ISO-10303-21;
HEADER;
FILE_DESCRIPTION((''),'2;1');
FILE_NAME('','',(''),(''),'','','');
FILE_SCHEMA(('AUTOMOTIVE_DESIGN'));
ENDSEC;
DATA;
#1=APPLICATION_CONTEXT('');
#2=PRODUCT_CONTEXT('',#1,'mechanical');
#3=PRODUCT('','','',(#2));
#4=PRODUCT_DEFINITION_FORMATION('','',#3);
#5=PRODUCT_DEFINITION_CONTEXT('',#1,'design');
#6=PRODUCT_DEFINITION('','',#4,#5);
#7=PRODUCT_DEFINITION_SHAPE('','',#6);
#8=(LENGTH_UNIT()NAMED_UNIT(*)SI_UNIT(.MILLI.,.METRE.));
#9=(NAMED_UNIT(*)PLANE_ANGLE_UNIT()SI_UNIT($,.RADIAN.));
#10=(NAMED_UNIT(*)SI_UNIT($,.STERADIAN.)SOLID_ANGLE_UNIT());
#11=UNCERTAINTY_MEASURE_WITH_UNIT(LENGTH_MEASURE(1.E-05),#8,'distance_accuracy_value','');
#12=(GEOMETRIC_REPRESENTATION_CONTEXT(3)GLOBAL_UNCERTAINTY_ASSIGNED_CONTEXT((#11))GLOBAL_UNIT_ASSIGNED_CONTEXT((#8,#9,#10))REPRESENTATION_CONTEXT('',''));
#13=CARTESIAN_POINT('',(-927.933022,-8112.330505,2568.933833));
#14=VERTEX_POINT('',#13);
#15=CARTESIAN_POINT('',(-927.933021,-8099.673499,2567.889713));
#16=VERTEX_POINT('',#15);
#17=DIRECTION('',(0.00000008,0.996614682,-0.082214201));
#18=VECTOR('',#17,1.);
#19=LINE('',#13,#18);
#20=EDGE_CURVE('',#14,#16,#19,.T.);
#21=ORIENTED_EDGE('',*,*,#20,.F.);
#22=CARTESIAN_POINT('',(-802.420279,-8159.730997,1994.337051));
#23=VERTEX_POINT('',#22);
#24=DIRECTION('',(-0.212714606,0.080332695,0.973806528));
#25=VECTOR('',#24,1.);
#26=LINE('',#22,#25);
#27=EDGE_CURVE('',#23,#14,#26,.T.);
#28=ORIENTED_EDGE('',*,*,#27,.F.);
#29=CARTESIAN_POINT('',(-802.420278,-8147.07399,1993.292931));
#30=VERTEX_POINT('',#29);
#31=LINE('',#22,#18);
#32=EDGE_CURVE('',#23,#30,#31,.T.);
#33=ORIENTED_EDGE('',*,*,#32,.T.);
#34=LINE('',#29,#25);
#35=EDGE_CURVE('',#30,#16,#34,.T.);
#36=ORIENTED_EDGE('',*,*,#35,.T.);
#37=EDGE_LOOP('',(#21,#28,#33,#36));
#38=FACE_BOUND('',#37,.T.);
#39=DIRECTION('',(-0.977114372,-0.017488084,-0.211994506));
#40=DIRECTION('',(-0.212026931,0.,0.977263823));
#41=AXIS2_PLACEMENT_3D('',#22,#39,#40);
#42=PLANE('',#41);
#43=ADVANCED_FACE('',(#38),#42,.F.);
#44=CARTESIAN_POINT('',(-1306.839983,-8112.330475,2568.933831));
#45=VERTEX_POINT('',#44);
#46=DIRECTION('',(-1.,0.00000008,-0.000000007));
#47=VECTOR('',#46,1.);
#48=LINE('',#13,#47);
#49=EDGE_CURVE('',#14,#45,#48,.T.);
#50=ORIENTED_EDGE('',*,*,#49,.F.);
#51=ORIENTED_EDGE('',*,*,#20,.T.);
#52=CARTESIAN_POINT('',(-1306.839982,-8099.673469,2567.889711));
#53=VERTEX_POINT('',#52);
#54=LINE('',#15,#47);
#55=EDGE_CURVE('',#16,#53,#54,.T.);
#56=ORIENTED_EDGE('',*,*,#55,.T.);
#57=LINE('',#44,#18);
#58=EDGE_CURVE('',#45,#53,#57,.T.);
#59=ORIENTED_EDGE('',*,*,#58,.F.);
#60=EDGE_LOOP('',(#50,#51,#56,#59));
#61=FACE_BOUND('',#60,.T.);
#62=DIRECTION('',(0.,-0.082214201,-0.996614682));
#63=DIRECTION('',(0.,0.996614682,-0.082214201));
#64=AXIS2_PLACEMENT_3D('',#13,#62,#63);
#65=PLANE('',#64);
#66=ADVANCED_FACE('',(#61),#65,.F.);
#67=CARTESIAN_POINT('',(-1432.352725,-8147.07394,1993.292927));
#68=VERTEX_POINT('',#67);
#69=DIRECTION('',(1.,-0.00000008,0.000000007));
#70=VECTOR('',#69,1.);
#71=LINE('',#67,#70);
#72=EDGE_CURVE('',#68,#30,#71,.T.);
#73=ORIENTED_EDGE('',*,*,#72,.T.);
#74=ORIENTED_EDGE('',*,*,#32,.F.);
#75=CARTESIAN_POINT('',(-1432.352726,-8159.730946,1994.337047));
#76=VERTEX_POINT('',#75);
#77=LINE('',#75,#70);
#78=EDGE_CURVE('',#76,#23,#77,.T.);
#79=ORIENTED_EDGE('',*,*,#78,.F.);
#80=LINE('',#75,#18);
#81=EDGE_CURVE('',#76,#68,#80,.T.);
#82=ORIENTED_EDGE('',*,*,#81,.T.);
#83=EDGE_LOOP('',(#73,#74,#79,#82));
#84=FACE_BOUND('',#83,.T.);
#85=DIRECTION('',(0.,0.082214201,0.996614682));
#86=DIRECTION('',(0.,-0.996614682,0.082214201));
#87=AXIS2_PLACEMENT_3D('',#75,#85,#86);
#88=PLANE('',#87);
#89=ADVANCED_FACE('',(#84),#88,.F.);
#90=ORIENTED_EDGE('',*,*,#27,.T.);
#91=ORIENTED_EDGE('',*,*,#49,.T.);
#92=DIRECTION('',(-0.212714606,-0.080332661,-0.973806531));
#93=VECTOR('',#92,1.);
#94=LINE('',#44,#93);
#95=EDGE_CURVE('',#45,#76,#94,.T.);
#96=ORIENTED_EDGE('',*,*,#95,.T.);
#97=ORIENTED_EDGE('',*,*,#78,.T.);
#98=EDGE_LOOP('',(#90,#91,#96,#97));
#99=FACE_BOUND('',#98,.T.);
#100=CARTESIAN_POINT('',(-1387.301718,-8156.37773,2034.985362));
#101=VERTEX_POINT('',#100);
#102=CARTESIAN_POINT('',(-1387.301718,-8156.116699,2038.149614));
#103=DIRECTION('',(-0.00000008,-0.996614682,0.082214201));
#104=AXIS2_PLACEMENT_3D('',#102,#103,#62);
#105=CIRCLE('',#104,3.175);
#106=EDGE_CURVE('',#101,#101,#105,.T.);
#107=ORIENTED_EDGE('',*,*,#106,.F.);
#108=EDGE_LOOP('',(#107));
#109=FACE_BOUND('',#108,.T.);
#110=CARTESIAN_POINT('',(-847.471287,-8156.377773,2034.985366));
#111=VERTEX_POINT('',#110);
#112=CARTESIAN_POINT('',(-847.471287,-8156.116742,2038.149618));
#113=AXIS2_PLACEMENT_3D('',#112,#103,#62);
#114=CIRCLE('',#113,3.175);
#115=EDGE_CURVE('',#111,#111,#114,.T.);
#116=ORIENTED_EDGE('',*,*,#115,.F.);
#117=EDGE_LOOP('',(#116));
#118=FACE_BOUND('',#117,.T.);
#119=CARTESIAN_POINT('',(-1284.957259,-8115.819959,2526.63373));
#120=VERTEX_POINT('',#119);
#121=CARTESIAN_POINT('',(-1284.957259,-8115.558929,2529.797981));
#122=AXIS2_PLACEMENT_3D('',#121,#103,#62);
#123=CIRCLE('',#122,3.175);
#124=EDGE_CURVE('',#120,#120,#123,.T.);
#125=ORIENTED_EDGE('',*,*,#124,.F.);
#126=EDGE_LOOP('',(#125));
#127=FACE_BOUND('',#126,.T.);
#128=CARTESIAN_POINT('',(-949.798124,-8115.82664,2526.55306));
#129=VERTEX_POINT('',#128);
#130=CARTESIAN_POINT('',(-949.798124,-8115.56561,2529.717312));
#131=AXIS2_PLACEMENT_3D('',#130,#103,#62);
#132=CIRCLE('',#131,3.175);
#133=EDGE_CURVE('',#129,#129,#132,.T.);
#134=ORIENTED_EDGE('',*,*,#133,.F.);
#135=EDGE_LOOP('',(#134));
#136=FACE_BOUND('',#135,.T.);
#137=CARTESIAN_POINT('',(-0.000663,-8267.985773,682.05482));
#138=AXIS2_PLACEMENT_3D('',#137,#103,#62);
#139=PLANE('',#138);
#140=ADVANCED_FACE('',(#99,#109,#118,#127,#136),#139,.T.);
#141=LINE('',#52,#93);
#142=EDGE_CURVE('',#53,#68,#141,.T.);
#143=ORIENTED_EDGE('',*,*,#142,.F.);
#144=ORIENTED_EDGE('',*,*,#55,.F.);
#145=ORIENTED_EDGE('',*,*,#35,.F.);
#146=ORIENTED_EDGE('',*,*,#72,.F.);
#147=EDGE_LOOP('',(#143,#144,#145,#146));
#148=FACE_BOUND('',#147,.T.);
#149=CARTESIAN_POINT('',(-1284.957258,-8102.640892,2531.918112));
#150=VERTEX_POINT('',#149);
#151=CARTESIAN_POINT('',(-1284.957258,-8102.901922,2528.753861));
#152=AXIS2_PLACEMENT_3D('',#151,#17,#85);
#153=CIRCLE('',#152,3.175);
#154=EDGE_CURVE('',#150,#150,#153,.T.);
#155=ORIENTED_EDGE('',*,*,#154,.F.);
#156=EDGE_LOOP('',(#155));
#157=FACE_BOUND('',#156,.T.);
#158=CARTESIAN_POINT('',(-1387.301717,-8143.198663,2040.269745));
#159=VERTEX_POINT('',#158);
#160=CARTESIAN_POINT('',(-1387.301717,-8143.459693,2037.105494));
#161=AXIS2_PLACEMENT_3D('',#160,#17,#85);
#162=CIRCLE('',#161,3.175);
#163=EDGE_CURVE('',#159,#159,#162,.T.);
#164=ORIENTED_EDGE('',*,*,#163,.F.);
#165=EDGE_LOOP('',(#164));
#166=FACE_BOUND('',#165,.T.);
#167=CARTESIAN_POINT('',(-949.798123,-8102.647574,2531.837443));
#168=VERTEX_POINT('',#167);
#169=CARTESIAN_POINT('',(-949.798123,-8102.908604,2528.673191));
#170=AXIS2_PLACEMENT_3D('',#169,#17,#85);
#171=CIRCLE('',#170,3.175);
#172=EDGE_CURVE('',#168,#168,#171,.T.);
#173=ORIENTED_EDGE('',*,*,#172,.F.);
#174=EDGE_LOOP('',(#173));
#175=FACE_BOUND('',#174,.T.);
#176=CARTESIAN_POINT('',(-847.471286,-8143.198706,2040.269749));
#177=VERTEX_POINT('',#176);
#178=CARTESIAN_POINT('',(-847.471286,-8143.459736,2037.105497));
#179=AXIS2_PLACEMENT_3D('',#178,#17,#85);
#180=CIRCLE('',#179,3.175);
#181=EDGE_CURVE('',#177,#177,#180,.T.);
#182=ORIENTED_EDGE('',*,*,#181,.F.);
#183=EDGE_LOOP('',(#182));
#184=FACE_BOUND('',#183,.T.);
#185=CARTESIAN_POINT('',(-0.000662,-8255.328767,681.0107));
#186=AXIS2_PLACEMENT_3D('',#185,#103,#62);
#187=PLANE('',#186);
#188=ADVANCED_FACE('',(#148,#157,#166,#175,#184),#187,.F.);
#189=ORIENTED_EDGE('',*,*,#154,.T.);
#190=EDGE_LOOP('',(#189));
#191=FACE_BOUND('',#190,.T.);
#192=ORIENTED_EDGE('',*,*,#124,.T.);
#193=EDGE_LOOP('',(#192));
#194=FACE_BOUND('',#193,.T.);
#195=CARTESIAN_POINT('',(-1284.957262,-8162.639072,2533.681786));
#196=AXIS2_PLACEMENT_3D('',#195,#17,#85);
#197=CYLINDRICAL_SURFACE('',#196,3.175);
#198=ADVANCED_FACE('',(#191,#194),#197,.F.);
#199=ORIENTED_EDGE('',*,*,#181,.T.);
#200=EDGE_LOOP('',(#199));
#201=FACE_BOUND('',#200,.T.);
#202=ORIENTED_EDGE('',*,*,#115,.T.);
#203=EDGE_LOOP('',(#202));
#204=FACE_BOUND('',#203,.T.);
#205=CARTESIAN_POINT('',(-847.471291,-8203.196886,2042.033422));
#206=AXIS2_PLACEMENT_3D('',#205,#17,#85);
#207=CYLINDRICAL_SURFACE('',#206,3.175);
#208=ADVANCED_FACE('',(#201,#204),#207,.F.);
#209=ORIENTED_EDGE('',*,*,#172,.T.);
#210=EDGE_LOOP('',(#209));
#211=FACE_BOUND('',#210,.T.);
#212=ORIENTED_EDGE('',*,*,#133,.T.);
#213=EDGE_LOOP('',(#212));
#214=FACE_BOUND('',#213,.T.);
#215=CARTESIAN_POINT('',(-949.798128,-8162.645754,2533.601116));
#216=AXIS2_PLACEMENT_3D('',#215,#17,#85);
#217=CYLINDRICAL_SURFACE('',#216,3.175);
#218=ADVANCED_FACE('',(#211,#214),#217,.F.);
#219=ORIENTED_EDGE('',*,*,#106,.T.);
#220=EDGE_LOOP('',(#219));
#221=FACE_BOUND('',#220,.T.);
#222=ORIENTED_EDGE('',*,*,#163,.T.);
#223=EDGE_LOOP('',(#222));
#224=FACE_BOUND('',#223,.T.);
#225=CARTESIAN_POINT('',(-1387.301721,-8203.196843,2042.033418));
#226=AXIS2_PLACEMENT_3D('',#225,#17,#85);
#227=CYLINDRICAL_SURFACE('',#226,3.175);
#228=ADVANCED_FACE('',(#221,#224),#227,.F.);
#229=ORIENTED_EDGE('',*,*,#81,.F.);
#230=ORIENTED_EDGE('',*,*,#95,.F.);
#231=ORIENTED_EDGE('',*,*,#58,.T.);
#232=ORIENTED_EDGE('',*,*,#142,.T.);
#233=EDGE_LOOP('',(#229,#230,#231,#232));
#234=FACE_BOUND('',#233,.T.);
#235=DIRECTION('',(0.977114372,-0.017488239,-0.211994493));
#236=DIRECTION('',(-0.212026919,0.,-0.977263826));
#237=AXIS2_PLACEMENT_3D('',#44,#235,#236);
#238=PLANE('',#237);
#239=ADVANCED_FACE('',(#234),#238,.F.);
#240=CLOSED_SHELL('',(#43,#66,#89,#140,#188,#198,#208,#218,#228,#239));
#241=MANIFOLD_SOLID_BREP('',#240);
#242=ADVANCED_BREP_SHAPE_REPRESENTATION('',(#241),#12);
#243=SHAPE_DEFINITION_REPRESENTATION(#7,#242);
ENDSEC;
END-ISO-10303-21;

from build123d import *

# Parameters (mm, degrees)
BOSS_EXTRUDE1_DEPTH = 12.7
SKETCH2_R           = 3.175000002
CUT_EXTRUDE1_DEPTH  = 2375.892579794


with BuildPart() as part:
    # Sketch1 → Boss-Extrude1 (new body)
    with BuildSketch(Plane(origin=(-0.000661708, -8255.328766721, 681.010699718), x_dir=(-0.9999999999999969, 7.961414168714261e-08, -6.567661367452003e-09), z_dir=(-7.988457756299225e-08, -0.996614682353027, 0.08221420143970737))):
        Polygon((927.932358973, -1893.28840213), (1306.839320092, -1893.28840213), (1432.35206282, -1316.739819062), (802.419616245, -1316.739819062), align=None)
    extrude(amount=BOSS_EXTRUDE1_DEPTH)

    # Sketch2 → Cut-Extrude1 (cut, through all)
    with BuildSketch(Plane(origin=(-0.000661714, -8255.328766721, 681.010699718), x_dir=(0.9999999999999968, -7.961414422751635e-08, 6.5676468617910225e-09), z_dir=(7.988457890219468e-08, 0.9966146823530272, -0.08221420143970452))):
        with Locations(Location((-1284.956595837, -1854.019614904, 0), (0, 0, 270))):
            Circle(SKETCH2_R)
        with Locations(Location((-949.797461581, -1853.938669103, 0), (0, 0, 270))):
            Circle(SKETCH2_R)
        with Locations(Location((-1387.301054815, -1360.701208825, 0), (0, 0, 270))):
            Circle(SKETCH2_R)
        with Locations(Location((-847.47062424, -1360.701208825, 0), (0, 0, 270))):
            Circle(SKETCH2_R)
    extrude(amount=-CUT_EXTRUDE1_DEPTH, mode=Mode.SUBTRACT)


solid = part.part
